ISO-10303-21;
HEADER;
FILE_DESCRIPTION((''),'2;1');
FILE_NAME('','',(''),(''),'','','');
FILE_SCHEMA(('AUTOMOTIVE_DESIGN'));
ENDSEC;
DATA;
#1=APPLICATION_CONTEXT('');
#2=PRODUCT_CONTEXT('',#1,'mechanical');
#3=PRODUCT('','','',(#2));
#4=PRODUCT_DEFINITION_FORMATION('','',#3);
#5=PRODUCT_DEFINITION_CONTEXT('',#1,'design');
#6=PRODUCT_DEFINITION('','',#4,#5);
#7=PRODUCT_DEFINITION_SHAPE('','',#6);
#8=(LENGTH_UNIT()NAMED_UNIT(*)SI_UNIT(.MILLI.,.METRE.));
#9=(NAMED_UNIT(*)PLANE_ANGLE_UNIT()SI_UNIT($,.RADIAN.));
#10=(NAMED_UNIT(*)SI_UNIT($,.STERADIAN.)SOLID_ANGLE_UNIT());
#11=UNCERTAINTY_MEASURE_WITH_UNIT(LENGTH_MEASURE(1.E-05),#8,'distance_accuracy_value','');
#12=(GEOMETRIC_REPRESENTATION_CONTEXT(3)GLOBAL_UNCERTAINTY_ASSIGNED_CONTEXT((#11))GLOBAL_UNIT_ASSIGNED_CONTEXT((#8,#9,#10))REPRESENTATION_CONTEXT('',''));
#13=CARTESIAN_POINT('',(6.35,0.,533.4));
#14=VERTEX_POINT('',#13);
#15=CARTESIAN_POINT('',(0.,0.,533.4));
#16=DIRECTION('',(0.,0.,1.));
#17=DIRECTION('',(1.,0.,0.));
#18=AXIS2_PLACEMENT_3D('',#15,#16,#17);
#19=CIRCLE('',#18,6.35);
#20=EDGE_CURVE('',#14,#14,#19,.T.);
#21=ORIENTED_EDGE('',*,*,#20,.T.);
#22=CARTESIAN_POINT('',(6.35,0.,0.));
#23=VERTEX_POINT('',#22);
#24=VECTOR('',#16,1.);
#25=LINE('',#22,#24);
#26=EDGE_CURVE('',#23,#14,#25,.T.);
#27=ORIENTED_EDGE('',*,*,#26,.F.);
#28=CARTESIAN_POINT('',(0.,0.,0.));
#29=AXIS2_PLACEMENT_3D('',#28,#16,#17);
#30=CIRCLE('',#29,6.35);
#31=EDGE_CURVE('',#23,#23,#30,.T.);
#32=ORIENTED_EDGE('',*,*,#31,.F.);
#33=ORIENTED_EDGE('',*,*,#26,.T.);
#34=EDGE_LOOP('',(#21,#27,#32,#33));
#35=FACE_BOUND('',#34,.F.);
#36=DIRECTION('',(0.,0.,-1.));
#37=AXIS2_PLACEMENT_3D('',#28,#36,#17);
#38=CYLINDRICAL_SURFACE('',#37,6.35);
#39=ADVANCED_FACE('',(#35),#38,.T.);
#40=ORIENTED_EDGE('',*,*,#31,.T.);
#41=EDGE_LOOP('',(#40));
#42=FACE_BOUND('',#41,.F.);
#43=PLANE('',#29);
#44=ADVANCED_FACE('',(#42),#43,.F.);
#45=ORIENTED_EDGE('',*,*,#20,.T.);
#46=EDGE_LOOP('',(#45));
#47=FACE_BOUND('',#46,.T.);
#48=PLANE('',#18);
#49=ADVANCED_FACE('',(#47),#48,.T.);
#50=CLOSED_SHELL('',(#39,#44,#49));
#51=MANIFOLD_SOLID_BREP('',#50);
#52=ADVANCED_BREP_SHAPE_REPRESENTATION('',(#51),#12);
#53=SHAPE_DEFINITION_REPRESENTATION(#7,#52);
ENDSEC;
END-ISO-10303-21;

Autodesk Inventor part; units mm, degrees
ref_plane "YZ Plane" through (0, 0, 0) normal (1, 0, 0) x (0, 1, 0)
ref_plane "XZ Plane" through (0, 0, 0) normal (0, 1, 0) x (-1, 0, 0)
ref_plane "XY Plane" through (0, 0, 0) normal (0, 0, 1) x (1, 0, 0)
sketch "Sketch1" plane through (0, 0, 0) normal (0, 0, 1) x (1, 0, 0)
  circle A0 centre (0, 0) radius 6.35
  dimension "d0" = 12.7
extrude "Extrusion1" add sketch "Sketch1" along normal blind 533.4
properties part number "Kermit MountShaft"
